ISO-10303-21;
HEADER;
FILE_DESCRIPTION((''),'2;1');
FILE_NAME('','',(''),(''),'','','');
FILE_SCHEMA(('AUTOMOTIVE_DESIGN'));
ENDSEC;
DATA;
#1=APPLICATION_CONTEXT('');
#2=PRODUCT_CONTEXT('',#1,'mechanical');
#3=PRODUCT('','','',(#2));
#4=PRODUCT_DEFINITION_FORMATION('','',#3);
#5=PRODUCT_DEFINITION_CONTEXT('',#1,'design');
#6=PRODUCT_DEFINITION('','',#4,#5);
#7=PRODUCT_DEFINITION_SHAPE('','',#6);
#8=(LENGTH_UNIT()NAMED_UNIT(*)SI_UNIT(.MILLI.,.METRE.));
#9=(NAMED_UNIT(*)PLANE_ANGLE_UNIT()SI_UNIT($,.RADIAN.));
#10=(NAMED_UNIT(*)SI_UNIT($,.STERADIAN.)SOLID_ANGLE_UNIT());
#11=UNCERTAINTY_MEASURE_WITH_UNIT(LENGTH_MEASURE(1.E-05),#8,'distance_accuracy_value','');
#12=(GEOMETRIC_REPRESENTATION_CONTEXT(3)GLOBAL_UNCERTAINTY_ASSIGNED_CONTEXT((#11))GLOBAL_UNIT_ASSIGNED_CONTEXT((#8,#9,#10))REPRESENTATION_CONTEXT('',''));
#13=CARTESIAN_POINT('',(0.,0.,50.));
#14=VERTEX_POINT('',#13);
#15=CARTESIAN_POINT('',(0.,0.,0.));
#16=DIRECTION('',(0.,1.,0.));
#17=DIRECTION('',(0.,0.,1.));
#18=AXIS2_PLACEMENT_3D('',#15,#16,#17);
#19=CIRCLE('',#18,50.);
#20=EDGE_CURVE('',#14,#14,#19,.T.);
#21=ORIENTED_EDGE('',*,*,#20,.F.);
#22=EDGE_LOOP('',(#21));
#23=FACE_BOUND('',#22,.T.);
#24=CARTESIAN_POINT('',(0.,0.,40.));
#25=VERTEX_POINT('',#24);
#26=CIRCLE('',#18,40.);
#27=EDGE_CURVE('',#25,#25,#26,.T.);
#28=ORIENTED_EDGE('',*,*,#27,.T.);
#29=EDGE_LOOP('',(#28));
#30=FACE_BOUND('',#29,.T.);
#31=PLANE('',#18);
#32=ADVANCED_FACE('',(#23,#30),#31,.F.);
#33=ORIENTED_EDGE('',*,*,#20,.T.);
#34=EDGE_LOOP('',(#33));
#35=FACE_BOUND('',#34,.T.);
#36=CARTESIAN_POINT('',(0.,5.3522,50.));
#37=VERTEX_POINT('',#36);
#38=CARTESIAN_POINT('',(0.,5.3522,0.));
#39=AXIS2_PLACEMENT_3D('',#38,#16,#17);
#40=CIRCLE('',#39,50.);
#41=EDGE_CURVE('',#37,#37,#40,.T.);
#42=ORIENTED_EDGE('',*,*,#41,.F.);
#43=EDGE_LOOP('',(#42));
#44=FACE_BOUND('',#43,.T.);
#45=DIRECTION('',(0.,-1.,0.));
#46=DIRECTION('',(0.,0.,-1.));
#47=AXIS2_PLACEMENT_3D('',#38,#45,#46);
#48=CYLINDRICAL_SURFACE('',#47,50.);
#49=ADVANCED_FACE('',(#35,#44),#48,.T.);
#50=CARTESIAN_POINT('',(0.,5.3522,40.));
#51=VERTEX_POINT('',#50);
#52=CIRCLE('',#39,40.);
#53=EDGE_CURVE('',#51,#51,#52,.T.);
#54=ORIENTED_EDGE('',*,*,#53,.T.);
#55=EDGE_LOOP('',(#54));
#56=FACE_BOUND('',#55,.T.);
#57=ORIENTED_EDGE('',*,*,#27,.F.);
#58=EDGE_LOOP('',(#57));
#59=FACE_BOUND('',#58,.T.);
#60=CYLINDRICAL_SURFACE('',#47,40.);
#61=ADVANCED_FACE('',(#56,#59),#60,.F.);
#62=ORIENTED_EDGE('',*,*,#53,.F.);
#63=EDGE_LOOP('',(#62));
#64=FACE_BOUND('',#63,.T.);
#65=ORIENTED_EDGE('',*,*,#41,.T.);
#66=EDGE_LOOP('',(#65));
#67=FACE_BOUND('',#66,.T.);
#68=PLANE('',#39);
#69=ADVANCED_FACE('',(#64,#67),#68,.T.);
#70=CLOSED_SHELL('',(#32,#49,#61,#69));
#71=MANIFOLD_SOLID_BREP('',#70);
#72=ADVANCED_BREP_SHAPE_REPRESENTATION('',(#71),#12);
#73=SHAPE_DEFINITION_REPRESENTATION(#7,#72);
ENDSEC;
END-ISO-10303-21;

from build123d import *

# Parameters (mm, degrees)
SKETCH1_R           = 50
SKETCH1_R_2         = 40
BOSS_EXTRUDE1_DEPTH = 5.3522


with BuildPart() as part:
    # Sketch1 → Boss-Extrude1 (new body)
    with BuildSketch(Plane(origin=(0, 0, 0), x_dir=(1, 0, 0), z_dir=(0, 1, 0))):
        with Locations(Location((0, 0, 0), (0, 0, 270))):
            Circle(SKETCH1_R)
        with Locations(Location((0, 0, 0), (0, 0, 270))):
            Circle(SKETCH1_R_2, mode=Mode.SUBTRACT)
    extrude(amount=BOSS_EXTRUDE1_DEPTH)


solid = part.part
